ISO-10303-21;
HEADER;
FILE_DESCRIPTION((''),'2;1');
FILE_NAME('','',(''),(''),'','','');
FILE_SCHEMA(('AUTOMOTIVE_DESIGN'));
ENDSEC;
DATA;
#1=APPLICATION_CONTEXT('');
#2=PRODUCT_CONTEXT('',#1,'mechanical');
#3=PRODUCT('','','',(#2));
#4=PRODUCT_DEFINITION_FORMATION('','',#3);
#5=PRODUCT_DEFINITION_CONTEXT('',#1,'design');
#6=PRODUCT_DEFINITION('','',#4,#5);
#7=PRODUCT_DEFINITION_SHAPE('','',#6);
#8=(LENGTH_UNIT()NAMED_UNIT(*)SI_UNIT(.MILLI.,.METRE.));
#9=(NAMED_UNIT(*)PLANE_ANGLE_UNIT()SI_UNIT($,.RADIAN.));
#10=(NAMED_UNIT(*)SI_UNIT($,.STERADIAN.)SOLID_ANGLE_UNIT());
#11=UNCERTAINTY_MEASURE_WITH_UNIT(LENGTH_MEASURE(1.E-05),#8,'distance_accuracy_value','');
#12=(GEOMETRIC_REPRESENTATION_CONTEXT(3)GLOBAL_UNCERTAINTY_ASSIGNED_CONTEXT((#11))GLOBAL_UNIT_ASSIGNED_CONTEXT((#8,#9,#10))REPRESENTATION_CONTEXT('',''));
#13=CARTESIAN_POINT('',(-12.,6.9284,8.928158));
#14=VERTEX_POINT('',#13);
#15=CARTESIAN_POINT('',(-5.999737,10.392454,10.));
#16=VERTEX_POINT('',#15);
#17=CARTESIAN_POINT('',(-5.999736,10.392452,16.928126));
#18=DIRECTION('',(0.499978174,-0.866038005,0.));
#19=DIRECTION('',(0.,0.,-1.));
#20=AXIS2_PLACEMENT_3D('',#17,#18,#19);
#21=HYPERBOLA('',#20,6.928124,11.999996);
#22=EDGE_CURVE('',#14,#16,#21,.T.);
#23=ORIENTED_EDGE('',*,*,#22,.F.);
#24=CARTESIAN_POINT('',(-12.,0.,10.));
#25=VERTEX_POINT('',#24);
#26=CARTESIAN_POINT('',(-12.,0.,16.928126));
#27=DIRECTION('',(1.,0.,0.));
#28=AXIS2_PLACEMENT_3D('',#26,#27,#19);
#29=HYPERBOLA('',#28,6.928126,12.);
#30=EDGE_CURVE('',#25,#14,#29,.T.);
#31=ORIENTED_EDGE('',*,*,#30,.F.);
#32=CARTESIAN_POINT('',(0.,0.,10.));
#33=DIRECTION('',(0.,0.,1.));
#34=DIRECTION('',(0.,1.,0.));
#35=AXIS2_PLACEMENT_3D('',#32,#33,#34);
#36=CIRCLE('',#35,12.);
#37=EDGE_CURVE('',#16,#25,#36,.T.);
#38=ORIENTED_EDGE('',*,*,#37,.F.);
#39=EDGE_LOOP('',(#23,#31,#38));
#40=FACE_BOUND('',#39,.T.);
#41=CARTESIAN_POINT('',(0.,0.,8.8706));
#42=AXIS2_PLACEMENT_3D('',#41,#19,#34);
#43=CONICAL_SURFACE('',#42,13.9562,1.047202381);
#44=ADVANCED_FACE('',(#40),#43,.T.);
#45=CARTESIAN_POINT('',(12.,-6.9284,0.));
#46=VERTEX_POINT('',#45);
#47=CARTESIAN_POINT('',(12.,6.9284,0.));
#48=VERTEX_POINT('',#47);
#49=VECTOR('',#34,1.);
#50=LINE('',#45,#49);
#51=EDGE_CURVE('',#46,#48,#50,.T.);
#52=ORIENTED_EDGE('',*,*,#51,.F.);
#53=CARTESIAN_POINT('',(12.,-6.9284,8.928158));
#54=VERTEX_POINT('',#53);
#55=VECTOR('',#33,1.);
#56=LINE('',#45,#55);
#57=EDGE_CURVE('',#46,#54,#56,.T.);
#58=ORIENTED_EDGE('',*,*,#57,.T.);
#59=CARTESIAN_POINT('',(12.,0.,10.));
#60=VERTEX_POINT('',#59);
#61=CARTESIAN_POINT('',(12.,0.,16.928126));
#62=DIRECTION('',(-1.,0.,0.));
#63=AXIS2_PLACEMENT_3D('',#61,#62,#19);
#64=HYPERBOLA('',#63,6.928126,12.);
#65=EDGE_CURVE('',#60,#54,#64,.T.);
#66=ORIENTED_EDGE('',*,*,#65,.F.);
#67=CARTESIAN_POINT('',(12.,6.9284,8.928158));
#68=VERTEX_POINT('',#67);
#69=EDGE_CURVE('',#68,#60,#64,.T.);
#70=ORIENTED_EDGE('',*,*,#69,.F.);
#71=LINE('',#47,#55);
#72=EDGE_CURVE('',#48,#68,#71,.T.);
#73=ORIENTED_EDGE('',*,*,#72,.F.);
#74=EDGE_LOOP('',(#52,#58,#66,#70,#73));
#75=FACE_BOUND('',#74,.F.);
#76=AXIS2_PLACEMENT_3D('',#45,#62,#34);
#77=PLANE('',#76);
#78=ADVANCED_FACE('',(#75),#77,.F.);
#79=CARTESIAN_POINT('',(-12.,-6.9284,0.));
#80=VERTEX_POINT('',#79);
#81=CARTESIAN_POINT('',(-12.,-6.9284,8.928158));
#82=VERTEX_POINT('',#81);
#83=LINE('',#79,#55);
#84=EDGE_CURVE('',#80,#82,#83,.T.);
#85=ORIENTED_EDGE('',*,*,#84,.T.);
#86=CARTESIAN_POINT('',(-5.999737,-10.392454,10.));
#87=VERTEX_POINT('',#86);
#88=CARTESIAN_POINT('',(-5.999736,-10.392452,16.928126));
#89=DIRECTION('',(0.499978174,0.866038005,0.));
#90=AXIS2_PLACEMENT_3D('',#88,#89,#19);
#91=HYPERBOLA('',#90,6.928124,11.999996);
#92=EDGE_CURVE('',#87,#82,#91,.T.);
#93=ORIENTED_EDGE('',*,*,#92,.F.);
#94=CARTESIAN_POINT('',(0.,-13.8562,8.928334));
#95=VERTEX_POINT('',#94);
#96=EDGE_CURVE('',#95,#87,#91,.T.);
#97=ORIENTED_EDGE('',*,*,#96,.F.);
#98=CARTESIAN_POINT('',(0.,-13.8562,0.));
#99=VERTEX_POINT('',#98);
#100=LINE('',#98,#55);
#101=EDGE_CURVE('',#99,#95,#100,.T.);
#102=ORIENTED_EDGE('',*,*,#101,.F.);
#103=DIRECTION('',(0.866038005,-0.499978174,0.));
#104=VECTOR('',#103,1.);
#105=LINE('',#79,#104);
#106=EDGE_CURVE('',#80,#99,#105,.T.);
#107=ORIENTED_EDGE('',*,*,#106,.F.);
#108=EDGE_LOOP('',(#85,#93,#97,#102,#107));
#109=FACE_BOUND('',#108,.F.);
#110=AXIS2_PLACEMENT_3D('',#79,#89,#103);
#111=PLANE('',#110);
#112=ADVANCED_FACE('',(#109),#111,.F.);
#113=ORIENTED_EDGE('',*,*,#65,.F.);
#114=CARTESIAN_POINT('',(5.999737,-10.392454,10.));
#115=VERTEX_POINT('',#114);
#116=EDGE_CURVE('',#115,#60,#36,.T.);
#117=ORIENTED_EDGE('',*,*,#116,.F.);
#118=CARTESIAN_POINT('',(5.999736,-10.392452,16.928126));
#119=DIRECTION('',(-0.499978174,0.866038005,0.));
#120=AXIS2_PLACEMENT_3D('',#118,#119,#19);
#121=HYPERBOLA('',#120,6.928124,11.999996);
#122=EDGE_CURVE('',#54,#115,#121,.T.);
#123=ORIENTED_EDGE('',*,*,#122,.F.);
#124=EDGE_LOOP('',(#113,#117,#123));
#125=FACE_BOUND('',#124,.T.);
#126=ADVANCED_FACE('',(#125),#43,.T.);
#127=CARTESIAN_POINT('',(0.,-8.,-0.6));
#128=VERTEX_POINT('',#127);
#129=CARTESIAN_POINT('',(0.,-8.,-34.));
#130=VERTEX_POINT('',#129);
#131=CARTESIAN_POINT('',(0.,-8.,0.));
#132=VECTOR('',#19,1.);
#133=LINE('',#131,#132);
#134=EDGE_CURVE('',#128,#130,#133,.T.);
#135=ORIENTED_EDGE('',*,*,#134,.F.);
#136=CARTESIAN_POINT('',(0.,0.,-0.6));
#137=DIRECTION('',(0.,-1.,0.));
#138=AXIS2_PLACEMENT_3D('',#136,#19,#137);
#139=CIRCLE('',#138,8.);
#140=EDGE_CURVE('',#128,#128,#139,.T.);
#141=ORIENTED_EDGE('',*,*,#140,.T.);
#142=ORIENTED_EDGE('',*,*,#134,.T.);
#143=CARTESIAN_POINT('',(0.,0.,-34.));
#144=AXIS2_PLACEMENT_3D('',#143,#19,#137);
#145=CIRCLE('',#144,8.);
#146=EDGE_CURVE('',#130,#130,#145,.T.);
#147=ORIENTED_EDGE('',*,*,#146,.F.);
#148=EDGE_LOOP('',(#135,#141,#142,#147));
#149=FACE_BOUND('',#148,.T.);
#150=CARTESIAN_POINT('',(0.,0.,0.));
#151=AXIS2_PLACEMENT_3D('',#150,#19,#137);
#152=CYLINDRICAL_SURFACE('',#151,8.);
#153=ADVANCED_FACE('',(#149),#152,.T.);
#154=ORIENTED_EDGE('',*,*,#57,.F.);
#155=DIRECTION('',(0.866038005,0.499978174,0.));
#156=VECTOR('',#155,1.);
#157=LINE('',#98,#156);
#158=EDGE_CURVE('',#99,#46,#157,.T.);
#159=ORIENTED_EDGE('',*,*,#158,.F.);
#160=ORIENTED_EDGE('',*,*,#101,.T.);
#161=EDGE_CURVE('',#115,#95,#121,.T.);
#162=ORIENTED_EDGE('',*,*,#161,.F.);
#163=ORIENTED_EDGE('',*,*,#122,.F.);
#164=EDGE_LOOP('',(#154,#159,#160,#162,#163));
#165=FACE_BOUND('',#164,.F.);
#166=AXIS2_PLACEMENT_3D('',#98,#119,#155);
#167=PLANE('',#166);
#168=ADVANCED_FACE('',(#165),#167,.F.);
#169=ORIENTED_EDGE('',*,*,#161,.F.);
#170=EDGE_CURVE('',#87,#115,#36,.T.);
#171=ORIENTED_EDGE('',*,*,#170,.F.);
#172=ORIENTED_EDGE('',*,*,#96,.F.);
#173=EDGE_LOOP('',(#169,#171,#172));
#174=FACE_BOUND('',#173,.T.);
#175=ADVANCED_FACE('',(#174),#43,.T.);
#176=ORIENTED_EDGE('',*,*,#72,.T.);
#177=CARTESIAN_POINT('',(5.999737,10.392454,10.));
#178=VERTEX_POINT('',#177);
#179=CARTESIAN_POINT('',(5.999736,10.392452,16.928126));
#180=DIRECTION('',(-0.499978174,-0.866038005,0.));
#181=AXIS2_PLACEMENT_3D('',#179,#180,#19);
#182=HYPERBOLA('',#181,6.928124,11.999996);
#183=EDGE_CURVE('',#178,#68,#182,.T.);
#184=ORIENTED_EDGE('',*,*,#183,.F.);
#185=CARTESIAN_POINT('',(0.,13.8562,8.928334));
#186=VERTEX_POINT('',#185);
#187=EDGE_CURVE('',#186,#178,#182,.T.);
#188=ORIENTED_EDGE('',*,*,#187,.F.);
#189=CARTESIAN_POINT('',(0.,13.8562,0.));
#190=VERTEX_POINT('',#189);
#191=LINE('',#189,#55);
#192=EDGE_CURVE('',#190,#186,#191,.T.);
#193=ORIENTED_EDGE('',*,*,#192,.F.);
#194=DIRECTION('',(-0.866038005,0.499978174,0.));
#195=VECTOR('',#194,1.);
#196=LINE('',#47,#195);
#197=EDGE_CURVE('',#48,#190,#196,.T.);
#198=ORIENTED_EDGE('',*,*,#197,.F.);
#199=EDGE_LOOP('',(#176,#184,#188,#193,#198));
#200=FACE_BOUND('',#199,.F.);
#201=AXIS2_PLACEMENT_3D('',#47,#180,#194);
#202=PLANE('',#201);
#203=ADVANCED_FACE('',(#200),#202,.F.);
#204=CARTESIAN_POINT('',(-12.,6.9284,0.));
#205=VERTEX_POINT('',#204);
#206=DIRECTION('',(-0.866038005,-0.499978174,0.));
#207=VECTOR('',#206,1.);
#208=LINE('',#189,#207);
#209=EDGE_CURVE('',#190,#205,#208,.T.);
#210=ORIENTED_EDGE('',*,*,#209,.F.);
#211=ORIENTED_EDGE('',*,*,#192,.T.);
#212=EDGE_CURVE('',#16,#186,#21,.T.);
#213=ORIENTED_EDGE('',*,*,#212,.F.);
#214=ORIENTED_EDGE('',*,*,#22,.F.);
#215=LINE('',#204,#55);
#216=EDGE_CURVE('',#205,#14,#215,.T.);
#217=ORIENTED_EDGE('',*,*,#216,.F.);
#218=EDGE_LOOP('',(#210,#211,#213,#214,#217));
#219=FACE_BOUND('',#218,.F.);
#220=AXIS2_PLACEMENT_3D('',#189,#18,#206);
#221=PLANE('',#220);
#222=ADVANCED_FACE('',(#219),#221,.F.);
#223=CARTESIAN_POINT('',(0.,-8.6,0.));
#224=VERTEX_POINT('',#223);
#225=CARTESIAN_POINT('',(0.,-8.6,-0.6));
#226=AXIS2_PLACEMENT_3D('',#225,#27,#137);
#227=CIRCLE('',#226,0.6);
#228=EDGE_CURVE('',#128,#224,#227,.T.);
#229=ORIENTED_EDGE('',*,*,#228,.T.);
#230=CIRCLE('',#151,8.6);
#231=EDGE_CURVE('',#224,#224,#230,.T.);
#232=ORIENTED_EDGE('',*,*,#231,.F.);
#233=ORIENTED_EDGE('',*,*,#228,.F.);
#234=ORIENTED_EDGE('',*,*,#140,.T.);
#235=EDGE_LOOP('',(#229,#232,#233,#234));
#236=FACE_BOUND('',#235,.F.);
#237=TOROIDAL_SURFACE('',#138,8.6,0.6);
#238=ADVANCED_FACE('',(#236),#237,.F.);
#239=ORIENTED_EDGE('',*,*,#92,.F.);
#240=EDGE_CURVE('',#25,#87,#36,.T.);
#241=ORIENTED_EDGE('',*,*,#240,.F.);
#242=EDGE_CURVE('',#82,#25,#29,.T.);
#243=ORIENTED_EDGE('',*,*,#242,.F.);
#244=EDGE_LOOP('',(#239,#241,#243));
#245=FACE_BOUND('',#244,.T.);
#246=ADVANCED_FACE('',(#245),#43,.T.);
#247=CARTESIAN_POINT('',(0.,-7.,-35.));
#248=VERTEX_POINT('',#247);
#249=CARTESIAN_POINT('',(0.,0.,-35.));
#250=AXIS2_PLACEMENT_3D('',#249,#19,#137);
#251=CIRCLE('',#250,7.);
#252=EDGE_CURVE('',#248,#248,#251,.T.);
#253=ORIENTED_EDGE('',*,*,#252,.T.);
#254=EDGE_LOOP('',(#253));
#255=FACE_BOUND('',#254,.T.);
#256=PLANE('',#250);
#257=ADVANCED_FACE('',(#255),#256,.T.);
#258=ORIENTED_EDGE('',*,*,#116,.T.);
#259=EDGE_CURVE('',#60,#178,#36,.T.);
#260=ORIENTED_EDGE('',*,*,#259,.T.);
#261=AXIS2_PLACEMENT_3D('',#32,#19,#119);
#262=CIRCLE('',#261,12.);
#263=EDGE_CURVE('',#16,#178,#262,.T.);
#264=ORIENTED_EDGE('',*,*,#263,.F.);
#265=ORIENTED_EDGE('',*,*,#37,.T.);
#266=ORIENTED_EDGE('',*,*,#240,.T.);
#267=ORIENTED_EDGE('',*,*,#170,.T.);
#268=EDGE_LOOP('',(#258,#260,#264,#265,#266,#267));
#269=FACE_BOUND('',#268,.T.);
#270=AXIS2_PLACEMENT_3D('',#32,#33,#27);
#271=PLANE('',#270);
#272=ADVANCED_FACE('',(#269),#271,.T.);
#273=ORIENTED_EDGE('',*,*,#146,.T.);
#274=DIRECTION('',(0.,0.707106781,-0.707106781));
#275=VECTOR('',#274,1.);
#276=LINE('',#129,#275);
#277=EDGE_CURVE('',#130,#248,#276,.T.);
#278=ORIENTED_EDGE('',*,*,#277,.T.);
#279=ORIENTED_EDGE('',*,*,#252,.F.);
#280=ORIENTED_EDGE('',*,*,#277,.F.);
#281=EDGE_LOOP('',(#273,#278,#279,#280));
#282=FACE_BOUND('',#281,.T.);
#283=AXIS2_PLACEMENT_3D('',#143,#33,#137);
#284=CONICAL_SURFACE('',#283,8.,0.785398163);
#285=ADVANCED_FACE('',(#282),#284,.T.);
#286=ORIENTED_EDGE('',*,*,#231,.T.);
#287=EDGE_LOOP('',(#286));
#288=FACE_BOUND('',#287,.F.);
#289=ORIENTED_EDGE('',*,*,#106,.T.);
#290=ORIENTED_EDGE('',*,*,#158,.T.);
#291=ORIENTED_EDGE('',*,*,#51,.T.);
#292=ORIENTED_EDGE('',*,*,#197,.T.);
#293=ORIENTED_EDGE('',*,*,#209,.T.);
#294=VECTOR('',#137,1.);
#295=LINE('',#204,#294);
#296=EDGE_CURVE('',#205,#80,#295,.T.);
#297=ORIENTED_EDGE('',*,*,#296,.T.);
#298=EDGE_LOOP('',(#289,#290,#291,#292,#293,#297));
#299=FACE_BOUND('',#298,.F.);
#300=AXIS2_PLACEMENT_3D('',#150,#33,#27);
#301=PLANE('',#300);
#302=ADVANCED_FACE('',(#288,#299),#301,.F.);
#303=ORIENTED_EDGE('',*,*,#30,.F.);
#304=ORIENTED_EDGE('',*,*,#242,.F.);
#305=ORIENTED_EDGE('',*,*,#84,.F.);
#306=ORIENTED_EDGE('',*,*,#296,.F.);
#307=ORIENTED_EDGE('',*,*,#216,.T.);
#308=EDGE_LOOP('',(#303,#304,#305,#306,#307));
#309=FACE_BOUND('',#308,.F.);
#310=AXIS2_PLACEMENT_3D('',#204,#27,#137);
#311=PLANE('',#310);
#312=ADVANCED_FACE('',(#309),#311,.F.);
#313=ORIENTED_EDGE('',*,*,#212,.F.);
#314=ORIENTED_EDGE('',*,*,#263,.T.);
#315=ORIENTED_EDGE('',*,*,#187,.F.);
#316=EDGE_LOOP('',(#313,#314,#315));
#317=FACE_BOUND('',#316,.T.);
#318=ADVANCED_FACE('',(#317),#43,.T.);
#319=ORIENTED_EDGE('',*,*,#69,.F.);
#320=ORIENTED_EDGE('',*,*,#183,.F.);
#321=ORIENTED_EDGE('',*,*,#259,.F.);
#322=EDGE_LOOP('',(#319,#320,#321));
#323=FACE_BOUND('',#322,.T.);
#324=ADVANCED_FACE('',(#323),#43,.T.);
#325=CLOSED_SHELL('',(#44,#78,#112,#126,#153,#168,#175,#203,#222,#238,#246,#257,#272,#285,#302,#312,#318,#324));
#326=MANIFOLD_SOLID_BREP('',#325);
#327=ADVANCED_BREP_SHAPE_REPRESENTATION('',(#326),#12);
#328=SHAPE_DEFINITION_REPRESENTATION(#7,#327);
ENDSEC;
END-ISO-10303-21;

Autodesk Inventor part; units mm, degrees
ref_plane "WorkPlane1" through (0, 0, 0) normal (0, 0, 1) x (1, 0, 0)
sketch "Sketch1" plane through (0, 0, 0) normal (0, 0, 1) x (1, 0, 0)
  point P0 (0, 0)
sketch "Sketch2" plane through (0, 0, 0) normal (0, 0, 1) x (1, 0, 0)
  line L0 (-12, 6.9284) -> (-12, -6.9284)
  line L1 (0, 13.8562) -> (-12, 6.9284)
  line L2 (12, 6.9284) -> (0, 13.8562)
  line L3 (12, -6.9284) -> (12, 6.9284)
  line L4 (0, -13.8562) -> (12, -6.9284)
  line L5 (-12, -6.9284) -> (0, -13.8562)
  circle A0 centre (0, 0) radius 12 construction
  dimension "d1" = 24
  dimension "d29" = 0
  dimension "d30" = 0
extrude "Extrusion1" add sketch "Sketch2" along normal blind 10
sketch "Sketch3" plane through (0, 0, 0) normal (1, 0, 0) x (0, 1, 0)
  line L0 (12, 10) -> (13.9562, 10)
  line L1 (13.9562, 8.8706) -> (12, 10)
  line L2 (13.9562, 10) -> (13.9562, 8.8706)
  line L3 (0, -2) -> (0, 12) projected
  line L4 (13.8562, 0) -> (13.8562, 10) projected
  dimension "d25" = 0.1
  dimension "d26" = 0
  dimension "d27" = 60
  dimension "d28" = 12
revolve "Revolution1" cut sketch "Sketch3" angle 360 about axis through (0, 0, -10) along (0, 0, 1)
sketch "Sketch4" plane through (0, 0, 0) normal (1, 0, 0) x (0, 1, 0)
  line L0 (0, -35) -> (0, 0)
  line L1 (-8, -35) -> (0, -35)
  line L2 (-8, 0) -> (-8, -35)
  line L3 (0, 0) -> (-8, 0)
  line L4 (0, -35) -> (0, 0)
  line L5 (-9.6, 0) -> (1.6, 0) projected
  line L6 (0, -42) -> (0, 7) projected
  dimension "d18" = 8
  dimension "d20" = 35
  dimension "d33" = 0
  dimension "d34" = 0
revolve "Revolution2" add sketch "Sketch4" angle 360 about axis through (0, 0, -35) along (0, 0, -1)
chamfer "Chamfer1" distance 1 angle 45 1 edges at (0, 8, -35)
fillet "Fillet1" radius 0.6 1 edges at (0, 8, 0)
thread "Thread1" size "M16x2" class "6g" standard "ISO Metric profile" length 31
ref_plane "MSC_PF1" through (0, 0, 0) normal (1, 0, 0) x (0, 1, 0)
ref_plane "MSC_PT1" through (0, 0, 0) normal (0, 0, -1) x (-1, 0, 0)
equation "\"d22\" = 0.5 * PTC"
equation "\"d23\" = 0.5 * PTC"
equation "\"d24\" = r"
equation "\"d1\" = ParS"
equation "\"d6\" = ParK"
equation "\"b\" = NLG - 2 * PTC"
equation "\"d28\" = 0.5 * ParS"
equation "\"d18\" = 0.5 * NND"
equation "\"d20\" = NLG"
equation "\"NND\" = 16"
equation "\"NLG\" = 35"
equation "\"PTC\" = 2"
equation "\"ParK\" = 10"
equation "\"ParS\" = 24"
equation "\"msp_es\" = 0.577367 * ParS"
equation "\"r\" = 0.6"
equation "\"THREADDIA\" = NND"
properties part number "ISO 4018 - M16 x 35" material "Steel"
